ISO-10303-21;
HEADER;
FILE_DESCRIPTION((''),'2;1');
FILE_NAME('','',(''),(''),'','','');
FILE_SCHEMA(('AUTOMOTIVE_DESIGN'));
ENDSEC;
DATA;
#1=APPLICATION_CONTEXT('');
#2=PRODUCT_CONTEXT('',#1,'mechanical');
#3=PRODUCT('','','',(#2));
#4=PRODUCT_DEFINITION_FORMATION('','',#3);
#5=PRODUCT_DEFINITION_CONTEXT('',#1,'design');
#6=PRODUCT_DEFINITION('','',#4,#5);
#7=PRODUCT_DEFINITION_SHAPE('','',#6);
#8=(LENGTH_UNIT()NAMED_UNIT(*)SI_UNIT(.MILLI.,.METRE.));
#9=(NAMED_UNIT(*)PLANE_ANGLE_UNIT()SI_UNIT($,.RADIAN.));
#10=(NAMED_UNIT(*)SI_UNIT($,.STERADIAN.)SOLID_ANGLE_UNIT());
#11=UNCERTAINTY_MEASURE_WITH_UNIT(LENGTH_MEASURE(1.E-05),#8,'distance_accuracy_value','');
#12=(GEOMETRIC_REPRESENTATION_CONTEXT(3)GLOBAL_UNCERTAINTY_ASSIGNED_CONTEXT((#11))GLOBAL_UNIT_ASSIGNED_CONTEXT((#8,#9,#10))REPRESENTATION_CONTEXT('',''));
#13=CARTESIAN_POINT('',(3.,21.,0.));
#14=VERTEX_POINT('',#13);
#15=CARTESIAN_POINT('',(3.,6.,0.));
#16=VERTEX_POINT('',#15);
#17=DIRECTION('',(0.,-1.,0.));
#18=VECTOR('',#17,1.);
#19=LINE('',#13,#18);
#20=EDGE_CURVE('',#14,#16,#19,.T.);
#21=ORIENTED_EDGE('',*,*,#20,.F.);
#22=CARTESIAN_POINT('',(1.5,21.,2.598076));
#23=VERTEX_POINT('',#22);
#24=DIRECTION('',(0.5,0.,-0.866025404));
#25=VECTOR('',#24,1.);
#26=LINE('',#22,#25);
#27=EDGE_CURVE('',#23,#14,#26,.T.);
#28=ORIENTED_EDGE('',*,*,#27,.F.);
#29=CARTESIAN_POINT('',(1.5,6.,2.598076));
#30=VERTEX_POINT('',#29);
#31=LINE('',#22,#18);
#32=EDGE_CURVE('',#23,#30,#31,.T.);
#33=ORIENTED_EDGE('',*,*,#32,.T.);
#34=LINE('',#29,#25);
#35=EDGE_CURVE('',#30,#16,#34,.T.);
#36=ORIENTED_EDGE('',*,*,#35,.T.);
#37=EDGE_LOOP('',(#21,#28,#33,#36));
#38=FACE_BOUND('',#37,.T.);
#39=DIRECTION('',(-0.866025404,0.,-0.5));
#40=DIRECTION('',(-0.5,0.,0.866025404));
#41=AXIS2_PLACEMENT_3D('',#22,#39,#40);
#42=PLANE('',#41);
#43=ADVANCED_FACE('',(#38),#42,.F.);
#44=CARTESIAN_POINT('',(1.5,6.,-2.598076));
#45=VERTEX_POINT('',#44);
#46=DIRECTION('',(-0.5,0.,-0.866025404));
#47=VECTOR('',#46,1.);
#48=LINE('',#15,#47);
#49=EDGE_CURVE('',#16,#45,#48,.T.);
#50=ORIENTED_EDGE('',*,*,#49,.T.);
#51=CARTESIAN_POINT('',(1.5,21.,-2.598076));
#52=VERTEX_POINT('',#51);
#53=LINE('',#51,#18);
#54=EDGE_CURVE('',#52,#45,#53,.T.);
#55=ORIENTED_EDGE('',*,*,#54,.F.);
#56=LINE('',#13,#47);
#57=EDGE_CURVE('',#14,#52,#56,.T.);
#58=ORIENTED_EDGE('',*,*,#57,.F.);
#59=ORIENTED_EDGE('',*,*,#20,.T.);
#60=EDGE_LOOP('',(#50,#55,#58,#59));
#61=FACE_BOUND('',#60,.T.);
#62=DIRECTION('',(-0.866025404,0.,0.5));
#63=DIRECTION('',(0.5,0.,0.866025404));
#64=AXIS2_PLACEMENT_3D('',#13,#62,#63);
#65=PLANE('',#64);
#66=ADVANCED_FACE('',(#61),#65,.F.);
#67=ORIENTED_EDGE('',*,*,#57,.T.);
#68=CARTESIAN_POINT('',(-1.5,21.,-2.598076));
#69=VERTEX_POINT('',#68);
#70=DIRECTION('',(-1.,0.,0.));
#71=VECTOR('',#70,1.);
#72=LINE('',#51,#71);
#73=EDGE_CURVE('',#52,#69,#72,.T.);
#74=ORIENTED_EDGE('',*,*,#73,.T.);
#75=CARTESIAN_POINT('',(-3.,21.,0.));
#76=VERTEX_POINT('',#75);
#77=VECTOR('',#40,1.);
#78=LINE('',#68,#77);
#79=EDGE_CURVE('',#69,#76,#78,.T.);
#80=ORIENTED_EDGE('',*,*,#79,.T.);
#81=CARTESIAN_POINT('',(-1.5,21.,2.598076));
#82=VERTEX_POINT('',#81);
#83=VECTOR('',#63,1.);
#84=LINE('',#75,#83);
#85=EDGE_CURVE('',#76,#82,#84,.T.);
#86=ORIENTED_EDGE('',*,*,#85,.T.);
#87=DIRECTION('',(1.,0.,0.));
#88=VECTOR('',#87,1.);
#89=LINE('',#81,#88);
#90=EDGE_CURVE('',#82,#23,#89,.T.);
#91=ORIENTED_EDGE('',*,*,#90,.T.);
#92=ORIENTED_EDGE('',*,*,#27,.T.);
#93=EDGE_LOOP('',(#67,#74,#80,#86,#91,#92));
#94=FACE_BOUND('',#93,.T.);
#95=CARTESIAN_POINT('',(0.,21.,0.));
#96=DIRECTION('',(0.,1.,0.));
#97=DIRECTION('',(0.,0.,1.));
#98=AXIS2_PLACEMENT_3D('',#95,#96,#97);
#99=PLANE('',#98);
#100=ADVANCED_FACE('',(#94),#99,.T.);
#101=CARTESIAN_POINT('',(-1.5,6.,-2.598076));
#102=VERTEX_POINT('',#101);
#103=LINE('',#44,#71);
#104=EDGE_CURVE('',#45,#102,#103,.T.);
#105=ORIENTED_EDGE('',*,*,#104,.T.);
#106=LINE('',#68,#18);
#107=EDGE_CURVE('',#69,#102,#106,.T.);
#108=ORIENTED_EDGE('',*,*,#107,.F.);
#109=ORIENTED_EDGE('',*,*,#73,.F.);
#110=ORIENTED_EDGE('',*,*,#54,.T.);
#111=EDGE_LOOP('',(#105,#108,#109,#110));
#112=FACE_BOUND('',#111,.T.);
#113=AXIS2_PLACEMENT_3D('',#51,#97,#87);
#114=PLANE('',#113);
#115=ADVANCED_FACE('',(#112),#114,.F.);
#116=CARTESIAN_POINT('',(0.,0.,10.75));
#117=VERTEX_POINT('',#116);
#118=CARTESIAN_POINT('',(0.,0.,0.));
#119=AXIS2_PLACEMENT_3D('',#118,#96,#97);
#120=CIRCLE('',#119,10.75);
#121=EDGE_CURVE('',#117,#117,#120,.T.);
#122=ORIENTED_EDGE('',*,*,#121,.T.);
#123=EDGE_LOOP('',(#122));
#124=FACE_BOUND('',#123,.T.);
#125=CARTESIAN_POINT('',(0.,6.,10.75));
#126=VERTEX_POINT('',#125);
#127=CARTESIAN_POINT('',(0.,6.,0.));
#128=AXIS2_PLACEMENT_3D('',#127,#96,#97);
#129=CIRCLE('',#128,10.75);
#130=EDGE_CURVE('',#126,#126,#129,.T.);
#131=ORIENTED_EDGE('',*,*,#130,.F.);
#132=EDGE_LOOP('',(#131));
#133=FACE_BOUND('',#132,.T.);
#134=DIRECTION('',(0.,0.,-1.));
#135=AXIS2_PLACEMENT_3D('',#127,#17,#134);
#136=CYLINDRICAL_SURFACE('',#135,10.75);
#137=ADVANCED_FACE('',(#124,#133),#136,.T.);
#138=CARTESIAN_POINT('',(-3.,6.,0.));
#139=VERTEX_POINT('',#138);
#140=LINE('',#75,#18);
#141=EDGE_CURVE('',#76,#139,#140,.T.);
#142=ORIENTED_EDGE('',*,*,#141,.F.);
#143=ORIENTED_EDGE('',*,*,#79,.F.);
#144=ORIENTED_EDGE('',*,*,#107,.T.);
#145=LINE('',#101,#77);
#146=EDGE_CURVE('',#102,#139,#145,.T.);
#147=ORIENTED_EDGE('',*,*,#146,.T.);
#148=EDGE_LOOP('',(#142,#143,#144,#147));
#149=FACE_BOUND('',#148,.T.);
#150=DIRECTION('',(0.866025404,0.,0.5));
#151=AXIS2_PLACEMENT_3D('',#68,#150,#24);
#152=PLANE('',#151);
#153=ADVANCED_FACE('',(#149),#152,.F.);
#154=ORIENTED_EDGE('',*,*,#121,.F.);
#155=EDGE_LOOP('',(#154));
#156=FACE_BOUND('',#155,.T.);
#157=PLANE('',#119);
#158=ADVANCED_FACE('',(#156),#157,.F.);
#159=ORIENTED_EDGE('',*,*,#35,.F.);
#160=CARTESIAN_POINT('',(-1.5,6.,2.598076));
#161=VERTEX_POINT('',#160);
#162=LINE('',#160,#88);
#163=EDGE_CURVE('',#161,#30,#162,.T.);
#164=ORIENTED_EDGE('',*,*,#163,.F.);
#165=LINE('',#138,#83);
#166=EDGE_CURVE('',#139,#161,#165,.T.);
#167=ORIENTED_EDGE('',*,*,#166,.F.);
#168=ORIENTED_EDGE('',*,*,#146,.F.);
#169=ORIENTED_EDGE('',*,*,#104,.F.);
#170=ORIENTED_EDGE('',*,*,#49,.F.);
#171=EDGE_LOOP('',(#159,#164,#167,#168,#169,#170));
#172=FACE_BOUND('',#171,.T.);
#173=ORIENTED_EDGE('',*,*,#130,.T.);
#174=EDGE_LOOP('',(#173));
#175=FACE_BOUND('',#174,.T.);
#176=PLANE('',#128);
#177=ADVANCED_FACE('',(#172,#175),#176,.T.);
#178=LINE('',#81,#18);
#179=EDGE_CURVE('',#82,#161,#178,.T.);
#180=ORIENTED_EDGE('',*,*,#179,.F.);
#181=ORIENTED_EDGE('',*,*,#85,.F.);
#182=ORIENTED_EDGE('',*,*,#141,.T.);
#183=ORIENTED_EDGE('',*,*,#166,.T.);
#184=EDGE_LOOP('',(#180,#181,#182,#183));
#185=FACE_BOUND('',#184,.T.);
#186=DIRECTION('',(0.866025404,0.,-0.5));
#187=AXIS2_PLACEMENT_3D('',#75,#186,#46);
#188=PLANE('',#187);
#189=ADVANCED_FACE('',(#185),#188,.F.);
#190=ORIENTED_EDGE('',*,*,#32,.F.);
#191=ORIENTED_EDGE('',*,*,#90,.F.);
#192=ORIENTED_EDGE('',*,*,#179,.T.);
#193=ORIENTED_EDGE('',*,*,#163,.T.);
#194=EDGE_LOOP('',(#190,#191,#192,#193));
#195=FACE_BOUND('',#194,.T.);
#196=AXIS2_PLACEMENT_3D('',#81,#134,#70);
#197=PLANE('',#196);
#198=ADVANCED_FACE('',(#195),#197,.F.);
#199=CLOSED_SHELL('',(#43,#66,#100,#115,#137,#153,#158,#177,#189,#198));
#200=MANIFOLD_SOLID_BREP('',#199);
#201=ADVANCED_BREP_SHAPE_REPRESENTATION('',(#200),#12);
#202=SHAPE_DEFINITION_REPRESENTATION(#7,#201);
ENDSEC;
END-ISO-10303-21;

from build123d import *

# Parameters (mm, degrees)
SKETCH1_R           = 10.75
BOSS_EXTRUDE1_DEPTH = 6
BOSS_EXTRUDE2_DEPTH = 15


with BuildPart() as part:
    # Sketch1 → Boss-Extrude1 (new body)
    with BuildSketch(Plane(origin=(0, 0, 0), x_dir=(1, 0, 0), z_dir=(0, 1, 0))):
        with Locations(Location((0, 0, 0), (0, 0, 270))):
            Circle(SKETCH1_R)
    extrude(amount=BOSS_EXTRUDE1_DEPTH)

    # Sketch2 → Boss-Extrude2 (add)
    with BuildSketch(Plane(origin=(0, 6, 0), x_dir=(1, 0, 0), z_dir=(0, 1, 0))):
        Polygon((3, 0), (1.5, 2.598076211), (-1.5, 2.598076211), (-3, 0), (-1.5, -2.598076211), (1.5, -2.598076211), align=None)
    extrude(amount=BOSS_EXTRUDE2_DEPTH)


solid = part.part
